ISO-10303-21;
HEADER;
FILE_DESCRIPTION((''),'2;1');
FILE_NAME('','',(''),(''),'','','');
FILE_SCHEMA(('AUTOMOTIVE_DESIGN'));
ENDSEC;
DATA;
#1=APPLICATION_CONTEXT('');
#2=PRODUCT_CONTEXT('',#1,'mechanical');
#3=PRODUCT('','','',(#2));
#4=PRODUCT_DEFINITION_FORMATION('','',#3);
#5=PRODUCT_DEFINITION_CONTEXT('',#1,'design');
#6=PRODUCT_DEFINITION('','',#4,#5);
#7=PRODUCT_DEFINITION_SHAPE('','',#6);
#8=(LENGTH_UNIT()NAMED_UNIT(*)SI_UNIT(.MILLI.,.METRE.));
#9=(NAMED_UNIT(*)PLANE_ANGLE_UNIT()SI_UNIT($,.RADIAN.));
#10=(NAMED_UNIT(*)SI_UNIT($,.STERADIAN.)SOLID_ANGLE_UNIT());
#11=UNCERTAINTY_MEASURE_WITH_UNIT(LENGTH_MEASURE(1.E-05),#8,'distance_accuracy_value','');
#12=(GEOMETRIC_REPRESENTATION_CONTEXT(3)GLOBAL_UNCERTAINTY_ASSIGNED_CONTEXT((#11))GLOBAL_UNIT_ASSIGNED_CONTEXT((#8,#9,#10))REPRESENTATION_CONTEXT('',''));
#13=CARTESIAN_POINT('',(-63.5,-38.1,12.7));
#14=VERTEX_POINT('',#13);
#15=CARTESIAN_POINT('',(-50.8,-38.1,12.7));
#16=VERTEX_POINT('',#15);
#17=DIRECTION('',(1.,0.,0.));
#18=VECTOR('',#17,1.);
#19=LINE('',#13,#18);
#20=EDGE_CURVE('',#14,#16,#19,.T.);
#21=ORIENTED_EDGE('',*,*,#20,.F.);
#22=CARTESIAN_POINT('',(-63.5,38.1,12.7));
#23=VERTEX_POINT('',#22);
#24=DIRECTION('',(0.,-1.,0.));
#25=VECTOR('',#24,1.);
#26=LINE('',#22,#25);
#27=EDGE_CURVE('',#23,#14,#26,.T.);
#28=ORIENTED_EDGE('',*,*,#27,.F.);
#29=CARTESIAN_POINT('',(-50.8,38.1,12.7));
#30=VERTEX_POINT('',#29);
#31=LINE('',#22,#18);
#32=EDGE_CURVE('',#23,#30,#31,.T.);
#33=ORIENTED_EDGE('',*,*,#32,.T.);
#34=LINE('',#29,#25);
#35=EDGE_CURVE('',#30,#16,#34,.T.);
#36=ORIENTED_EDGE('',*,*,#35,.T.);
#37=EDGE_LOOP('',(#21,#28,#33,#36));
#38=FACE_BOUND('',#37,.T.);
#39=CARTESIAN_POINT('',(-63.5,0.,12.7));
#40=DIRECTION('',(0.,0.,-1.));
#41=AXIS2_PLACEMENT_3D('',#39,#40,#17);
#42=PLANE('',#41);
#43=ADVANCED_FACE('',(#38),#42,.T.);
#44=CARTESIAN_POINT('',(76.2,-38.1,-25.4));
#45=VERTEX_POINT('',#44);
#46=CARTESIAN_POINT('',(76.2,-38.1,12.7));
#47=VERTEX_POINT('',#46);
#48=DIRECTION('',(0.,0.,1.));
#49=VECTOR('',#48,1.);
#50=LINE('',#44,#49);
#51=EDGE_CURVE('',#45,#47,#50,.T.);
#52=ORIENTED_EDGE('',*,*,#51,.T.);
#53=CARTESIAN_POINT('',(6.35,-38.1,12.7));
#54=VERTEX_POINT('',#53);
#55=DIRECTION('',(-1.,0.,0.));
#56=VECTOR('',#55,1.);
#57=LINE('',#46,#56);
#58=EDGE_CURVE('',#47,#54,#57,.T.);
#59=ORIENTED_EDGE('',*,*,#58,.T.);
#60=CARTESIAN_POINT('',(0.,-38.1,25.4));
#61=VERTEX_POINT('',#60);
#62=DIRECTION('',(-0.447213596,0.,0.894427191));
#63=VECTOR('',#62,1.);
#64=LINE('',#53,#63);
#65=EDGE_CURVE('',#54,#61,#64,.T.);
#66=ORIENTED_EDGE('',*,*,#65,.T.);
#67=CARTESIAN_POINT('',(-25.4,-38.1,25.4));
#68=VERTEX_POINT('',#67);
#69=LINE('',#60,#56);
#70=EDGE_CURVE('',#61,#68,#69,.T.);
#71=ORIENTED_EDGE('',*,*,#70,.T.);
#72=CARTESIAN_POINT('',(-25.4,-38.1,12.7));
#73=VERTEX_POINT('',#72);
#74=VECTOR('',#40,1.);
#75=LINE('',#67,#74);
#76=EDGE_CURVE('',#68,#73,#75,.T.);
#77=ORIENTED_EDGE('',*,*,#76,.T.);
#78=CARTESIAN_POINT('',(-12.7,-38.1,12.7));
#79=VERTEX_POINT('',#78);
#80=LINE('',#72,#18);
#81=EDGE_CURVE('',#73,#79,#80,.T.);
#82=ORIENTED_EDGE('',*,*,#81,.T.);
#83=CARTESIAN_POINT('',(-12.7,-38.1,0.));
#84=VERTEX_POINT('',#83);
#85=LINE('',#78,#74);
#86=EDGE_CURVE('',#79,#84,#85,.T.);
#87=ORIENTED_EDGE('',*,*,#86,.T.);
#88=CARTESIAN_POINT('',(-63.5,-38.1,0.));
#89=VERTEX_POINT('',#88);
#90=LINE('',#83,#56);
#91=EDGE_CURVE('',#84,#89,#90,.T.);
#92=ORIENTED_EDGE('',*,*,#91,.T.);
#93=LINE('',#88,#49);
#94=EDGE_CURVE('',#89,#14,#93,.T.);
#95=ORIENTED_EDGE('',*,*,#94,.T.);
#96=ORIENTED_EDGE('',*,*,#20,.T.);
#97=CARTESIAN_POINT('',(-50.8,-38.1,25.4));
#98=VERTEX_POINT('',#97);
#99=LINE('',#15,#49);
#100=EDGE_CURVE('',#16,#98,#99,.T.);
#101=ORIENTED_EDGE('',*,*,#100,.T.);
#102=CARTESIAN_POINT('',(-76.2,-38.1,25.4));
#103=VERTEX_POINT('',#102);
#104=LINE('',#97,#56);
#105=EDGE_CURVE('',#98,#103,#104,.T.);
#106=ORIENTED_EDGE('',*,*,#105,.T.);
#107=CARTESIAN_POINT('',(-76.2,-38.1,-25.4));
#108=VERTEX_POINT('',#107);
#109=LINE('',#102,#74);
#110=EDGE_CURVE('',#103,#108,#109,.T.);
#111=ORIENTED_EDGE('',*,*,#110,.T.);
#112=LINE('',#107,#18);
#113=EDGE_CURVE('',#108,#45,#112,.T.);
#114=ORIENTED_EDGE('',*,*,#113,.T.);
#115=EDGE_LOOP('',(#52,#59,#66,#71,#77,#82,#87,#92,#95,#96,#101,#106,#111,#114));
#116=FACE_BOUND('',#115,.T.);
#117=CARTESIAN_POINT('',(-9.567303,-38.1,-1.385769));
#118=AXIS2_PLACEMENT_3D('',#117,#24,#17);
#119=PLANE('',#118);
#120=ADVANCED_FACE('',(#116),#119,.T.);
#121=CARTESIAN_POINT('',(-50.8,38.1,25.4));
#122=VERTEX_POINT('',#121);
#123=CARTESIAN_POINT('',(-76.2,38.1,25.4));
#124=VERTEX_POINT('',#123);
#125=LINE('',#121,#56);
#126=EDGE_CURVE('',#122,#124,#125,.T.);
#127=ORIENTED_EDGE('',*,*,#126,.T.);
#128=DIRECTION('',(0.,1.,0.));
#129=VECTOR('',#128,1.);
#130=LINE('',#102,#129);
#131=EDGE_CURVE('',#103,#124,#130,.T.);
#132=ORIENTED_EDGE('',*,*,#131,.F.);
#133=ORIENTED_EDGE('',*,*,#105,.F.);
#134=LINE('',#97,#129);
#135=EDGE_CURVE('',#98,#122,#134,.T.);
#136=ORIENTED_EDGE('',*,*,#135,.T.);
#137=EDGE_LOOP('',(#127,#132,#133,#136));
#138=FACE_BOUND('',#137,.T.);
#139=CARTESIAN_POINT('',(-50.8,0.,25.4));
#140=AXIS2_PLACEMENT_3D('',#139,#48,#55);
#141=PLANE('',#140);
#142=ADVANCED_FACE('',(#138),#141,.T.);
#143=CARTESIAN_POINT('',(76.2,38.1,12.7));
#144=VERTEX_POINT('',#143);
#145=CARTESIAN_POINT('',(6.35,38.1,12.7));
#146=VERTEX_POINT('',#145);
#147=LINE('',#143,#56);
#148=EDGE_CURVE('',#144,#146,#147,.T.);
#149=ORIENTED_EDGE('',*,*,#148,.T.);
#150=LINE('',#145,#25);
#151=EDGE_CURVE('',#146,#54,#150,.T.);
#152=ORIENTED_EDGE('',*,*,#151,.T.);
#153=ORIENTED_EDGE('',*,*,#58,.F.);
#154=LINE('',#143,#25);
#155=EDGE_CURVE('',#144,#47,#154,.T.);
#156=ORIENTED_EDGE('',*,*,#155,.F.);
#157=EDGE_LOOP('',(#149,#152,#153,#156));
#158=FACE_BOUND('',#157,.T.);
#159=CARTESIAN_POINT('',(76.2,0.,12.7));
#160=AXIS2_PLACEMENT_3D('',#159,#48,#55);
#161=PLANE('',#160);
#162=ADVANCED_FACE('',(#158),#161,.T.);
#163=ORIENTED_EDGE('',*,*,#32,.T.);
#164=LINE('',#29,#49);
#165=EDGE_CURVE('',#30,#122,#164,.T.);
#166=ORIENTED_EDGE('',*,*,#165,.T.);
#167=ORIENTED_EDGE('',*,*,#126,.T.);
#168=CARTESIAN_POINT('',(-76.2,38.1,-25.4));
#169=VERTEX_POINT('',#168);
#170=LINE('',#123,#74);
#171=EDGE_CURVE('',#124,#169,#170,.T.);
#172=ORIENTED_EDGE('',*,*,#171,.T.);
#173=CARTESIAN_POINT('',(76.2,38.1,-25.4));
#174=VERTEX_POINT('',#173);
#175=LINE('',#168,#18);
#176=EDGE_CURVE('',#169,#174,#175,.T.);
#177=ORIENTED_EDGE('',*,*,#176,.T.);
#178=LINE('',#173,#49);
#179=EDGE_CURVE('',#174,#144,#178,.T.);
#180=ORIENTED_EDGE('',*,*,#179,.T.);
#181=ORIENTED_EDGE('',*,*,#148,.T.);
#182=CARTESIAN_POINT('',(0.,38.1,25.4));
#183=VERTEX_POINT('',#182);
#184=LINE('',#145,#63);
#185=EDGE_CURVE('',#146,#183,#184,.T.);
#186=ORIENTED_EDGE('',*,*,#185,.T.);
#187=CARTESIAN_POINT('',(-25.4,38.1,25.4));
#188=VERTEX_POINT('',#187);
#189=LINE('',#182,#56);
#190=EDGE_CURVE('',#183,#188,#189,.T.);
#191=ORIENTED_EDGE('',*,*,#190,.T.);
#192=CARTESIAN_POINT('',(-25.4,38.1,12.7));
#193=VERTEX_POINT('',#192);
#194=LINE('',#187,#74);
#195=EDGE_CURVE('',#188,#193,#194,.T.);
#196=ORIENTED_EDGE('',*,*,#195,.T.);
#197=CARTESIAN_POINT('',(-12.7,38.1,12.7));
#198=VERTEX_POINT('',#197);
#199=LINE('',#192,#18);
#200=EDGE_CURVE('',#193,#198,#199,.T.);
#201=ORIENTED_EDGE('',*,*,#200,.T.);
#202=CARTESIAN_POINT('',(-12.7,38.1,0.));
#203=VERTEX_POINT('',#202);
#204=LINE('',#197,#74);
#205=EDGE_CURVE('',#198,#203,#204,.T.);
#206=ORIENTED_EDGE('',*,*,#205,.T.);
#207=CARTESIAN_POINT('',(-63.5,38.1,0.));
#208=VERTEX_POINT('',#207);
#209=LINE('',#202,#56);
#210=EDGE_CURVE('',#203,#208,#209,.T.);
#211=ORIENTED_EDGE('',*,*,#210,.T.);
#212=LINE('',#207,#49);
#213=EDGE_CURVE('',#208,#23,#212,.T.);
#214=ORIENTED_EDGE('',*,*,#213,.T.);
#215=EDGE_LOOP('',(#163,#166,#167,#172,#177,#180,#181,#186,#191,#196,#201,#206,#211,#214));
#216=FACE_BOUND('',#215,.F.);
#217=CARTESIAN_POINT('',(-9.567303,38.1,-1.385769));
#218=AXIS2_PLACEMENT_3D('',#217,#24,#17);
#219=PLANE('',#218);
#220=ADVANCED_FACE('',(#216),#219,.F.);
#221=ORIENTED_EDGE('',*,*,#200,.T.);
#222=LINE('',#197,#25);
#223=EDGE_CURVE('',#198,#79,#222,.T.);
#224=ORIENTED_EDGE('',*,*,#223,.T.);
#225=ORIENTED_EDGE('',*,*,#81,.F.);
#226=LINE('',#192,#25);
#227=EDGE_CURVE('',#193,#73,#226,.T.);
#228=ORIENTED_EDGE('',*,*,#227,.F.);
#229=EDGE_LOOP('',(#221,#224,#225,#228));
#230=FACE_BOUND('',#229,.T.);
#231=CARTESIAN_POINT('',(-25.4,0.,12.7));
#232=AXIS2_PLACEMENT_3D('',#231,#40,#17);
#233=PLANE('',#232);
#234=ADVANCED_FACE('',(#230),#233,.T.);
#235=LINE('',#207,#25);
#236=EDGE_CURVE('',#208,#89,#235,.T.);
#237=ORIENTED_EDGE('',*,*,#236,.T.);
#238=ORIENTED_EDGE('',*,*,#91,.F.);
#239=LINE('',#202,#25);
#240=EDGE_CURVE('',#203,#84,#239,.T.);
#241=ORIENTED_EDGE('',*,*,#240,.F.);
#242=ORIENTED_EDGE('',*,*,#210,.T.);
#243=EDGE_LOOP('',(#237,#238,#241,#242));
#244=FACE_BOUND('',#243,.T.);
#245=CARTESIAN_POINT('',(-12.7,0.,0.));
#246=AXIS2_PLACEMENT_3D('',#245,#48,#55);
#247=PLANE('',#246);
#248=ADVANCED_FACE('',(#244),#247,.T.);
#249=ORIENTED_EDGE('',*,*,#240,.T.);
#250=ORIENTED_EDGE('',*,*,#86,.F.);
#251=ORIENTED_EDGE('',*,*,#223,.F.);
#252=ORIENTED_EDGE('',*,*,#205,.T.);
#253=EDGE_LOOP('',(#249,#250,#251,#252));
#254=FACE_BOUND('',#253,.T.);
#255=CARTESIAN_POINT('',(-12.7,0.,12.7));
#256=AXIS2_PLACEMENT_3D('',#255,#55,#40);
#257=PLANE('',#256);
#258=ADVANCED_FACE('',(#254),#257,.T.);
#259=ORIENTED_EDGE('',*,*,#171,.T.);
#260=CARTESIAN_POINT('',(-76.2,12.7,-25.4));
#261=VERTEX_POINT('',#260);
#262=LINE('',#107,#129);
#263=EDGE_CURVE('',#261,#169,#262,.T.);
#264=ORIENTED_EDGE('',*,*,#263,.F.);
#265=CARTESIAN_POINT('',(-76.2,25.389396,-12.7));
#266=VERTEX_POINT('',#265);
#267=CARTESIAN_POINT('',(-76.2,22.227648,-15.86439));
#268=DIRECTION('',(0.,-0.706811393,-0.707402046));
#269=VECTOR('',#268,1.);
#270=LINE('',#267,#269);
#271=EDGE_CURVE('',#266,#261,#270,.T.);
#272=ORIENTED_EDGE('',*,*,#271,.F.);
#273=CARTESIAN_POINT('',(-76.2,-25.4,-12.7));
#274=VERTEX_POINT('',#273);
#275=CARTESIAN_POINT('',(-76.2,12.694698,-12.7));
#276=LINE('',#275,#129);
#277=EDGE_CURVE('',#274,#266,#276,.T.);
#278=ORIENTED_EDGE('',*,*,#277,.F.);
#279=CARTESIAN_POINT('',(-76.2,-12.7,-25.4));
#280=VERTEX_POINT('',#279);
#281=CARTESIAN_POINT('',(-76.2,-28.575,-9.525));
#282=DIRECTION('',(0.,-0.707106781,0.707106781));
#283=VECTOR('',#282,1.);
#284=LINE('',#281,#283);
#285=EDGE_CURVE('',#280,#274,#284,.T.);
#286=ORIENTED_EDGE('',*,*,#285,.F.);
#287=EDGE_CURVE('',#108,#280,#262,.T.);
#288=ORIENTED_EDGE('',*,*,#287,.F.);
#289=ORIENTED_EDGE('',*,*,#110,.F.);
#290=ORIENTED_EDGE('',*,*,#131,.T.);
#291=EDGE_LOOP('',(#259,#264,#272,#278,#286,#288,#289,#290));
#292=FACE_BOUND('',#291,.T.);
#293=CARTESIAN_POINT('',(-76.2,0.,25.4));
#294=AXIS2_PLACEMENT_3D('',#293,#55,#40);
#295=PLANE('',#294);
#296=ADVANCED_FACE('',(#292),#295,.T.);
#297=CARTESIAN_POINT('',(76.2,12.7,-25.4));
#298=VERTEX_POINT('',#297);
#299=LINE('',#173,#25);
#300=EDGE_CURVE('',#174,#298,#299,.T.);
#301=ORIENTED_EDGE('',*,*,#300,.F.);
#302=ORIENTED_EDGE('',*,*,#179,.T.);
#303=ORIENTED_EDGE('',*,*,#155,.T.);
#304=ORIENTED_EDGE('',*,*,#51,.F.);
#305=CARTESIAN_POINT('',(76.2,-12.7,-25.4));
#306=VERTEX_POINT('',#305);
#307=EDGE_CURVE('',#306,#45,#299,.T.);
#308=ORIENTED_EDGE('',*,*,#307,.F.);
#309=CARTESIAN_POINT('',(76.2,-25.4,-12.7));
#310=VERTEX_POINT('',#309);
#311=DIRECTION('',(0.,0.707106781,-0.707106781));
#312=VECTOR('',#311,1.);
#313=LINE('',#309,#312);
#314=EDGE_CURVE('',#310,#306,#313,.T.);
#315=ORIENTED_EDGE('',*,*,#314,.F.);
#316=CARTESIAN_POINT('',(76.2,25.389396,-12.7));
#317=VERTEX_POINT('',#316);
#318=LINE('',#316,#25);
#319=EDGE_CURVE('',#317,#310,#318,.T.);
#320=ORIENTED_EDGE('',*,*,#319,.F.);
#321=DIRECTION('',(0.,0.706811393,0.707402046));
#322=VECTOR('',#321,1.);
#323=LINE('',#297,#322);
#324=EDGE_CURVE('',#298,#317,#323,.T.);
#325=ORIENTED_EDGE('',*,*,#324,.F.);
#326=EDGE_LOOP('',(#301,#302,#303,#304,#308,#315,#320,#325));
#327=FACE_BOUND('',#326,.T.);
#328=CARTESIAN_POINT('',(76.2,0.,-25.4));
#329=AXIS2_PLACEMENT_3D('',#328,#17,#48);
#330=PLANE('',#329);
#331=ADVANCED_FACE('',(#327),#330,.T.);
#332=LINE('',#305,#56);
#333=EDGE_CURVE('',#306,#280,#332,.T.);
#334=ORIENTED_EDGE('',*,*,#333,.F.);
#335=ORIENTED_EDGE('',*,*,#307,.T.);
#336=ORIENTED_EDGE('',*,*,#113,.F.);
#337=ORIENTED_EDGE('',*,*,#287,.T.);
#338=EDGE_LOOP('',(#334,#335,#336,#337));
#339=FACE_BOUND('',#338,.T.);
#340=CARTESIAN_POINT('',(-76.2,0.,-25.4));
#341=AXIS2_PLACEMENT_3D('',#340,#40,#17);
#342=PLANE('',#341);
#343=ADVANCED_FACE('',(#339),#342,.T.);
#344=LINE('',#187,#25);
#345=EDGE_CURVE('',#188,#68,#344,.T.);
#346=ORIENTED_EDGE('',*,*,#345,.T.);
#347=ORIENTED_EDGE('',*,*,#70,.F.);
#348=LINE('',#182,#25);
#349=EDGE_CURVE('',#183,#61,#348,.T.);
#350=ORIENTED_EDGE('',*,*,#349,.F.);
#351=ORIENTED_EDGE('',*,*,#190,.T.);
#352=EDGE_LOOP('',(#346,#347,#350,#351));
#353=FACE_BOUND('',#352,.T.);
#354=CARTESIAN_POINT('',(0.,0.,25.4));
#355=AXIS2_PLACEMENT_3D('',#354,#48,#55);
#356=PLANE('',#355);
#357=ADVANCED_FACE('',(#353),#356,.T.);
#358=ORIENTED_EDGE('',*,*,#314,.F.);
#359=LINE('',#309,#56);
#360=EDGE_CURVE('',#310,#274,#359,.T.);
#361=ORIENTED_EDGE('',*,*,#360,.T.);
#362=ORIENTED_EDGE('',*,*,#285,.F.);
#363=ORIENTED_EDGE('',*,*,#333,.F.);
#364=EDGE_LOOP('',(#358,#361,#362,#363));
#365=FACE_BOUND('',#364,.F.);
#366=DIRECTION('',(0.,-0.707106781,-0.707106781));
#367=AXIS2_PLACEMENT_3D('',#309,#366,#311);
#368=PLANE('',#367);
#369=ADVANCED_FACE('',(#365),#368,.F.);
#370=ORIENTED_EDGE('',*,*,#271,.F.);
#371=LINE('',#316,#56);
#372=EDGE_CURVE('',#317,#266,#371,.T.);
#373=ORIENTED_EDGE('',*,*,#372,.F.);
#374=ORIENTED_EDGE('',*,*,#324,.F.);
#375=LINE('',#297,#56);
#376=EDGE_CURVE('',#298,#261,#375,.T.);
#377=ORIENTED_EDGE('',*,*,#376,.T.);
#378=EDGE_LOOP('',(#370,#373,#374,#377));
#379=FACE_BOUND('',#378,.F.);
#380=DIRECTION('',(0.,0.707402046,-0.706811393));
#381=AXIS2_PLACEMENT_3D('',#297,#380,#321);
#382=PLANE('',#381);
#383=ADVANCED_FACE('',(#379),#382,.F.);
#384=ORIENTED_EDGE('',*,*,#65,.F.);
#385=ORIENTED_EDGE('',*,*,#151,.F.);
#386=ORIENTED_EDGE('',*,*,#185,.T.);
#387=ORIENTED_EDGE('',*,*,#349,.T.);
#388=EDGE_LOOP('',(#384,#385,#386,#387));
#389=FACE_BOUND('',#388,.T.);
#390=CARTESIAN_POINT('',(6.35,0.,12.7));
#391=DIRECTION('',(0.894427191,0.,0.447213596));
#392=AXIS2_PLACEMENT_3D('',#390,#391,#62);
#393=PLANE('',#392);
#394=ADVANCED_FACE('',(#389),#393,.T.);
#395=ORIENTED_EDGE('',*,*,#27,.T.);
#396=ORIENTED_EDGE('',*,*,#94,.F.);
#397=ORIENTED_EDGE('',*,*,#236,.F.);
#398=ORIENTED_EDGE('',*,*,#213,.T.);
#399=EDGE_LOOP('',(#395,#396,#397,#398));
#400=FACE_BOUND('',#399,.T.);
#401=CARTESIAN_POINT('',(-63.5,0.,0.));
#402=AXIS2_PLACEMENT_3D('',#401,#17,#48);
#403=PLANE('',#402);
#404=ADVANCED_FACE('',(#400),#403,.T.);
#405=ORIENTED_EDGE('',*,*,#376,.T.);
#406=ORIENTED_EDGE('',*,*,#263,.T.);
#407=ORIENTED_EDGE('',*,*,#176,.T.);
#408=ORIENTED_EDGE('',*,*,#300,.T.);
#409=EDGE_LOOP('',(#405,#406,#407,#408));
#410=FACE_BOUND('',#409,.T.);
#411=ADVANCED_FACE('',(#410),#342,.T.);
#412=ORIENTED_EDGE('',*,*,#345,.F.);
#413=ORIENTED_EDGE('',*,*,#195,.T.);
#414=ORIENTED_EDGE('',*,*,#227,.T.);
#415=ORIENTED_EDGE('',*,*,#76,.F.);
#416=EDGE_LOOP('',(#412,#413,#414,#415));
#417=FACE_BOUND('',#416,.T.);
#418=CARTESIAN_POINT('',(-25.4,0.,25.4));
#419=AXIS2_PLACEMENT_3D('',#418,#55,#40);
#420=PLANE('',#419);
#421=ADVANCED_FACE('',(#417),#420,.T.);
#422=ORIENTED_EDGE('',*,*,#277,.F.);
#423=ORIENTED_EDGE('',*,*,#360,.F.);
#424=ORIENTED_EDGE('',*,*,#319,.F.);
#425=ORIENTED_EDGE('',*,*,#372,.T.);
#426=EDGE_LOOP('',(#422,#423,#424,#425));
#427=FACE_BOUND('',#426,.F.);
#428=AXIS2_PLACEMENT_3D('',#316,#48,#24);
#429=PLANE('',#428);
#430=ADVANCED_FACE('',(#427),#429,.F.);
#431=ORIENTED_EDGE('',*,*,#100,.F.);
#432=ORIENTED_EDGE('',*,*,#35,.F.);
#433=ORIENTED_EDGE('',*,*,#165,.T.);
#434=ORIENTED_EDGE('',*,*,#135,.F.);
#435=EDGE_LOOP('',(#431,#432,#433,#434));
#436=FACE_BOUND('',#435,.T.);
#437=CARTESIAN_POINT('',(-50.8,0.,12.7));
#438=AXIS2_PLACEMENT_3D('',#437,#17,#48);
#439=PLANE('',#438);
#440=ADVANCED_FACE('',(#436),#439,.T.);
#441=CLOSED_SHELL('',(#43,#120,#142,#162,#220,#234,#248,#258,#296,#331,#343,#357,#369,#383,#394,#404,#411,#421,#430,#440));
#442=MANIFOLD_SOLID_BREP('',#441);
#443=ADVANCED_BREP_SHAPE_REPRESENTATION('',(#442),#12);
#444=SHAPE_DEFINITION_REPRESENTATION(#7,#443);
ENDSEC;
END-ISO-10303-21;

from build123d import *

# Parameters (mm, degrees)
F1_DEPTH = 38.1
F3_DEPTH = 152.401


with BuildPart() as f1:
    # F0 (on Front) → F1 (new body, symmetric)
    with BuildSketch(Plane.XZ):
        Polygon((-76.2, -25.4), (76.2, -25.4), (76.2, 12.7), (6.35, 12.7), (0, 25.4), (-25.4, 25.4), (-25.4, 12.7), (-12.7, 12.7), (-12.7, 0), (-63.5, 0), (-63.5, 12.7), (-50.8, 12.7), (-50.8, 25.4), (-76.2, 25.4), align=None)
    extrude(amount=F1_DEPTH, both=True)

    # F2 (on face) → F3 (cut, through all)
    with BuildSketch(Plane.YZ.offset(76.2)):
        Polygon((25.389396, -12.7), (-25.4, -12.7), (-12.7, -25.4), (12.7, -25.4), align=None)
    extrude(amount=-F3_DEPTH, mode=Mode.SUBTRACT)


solid = f1.part
